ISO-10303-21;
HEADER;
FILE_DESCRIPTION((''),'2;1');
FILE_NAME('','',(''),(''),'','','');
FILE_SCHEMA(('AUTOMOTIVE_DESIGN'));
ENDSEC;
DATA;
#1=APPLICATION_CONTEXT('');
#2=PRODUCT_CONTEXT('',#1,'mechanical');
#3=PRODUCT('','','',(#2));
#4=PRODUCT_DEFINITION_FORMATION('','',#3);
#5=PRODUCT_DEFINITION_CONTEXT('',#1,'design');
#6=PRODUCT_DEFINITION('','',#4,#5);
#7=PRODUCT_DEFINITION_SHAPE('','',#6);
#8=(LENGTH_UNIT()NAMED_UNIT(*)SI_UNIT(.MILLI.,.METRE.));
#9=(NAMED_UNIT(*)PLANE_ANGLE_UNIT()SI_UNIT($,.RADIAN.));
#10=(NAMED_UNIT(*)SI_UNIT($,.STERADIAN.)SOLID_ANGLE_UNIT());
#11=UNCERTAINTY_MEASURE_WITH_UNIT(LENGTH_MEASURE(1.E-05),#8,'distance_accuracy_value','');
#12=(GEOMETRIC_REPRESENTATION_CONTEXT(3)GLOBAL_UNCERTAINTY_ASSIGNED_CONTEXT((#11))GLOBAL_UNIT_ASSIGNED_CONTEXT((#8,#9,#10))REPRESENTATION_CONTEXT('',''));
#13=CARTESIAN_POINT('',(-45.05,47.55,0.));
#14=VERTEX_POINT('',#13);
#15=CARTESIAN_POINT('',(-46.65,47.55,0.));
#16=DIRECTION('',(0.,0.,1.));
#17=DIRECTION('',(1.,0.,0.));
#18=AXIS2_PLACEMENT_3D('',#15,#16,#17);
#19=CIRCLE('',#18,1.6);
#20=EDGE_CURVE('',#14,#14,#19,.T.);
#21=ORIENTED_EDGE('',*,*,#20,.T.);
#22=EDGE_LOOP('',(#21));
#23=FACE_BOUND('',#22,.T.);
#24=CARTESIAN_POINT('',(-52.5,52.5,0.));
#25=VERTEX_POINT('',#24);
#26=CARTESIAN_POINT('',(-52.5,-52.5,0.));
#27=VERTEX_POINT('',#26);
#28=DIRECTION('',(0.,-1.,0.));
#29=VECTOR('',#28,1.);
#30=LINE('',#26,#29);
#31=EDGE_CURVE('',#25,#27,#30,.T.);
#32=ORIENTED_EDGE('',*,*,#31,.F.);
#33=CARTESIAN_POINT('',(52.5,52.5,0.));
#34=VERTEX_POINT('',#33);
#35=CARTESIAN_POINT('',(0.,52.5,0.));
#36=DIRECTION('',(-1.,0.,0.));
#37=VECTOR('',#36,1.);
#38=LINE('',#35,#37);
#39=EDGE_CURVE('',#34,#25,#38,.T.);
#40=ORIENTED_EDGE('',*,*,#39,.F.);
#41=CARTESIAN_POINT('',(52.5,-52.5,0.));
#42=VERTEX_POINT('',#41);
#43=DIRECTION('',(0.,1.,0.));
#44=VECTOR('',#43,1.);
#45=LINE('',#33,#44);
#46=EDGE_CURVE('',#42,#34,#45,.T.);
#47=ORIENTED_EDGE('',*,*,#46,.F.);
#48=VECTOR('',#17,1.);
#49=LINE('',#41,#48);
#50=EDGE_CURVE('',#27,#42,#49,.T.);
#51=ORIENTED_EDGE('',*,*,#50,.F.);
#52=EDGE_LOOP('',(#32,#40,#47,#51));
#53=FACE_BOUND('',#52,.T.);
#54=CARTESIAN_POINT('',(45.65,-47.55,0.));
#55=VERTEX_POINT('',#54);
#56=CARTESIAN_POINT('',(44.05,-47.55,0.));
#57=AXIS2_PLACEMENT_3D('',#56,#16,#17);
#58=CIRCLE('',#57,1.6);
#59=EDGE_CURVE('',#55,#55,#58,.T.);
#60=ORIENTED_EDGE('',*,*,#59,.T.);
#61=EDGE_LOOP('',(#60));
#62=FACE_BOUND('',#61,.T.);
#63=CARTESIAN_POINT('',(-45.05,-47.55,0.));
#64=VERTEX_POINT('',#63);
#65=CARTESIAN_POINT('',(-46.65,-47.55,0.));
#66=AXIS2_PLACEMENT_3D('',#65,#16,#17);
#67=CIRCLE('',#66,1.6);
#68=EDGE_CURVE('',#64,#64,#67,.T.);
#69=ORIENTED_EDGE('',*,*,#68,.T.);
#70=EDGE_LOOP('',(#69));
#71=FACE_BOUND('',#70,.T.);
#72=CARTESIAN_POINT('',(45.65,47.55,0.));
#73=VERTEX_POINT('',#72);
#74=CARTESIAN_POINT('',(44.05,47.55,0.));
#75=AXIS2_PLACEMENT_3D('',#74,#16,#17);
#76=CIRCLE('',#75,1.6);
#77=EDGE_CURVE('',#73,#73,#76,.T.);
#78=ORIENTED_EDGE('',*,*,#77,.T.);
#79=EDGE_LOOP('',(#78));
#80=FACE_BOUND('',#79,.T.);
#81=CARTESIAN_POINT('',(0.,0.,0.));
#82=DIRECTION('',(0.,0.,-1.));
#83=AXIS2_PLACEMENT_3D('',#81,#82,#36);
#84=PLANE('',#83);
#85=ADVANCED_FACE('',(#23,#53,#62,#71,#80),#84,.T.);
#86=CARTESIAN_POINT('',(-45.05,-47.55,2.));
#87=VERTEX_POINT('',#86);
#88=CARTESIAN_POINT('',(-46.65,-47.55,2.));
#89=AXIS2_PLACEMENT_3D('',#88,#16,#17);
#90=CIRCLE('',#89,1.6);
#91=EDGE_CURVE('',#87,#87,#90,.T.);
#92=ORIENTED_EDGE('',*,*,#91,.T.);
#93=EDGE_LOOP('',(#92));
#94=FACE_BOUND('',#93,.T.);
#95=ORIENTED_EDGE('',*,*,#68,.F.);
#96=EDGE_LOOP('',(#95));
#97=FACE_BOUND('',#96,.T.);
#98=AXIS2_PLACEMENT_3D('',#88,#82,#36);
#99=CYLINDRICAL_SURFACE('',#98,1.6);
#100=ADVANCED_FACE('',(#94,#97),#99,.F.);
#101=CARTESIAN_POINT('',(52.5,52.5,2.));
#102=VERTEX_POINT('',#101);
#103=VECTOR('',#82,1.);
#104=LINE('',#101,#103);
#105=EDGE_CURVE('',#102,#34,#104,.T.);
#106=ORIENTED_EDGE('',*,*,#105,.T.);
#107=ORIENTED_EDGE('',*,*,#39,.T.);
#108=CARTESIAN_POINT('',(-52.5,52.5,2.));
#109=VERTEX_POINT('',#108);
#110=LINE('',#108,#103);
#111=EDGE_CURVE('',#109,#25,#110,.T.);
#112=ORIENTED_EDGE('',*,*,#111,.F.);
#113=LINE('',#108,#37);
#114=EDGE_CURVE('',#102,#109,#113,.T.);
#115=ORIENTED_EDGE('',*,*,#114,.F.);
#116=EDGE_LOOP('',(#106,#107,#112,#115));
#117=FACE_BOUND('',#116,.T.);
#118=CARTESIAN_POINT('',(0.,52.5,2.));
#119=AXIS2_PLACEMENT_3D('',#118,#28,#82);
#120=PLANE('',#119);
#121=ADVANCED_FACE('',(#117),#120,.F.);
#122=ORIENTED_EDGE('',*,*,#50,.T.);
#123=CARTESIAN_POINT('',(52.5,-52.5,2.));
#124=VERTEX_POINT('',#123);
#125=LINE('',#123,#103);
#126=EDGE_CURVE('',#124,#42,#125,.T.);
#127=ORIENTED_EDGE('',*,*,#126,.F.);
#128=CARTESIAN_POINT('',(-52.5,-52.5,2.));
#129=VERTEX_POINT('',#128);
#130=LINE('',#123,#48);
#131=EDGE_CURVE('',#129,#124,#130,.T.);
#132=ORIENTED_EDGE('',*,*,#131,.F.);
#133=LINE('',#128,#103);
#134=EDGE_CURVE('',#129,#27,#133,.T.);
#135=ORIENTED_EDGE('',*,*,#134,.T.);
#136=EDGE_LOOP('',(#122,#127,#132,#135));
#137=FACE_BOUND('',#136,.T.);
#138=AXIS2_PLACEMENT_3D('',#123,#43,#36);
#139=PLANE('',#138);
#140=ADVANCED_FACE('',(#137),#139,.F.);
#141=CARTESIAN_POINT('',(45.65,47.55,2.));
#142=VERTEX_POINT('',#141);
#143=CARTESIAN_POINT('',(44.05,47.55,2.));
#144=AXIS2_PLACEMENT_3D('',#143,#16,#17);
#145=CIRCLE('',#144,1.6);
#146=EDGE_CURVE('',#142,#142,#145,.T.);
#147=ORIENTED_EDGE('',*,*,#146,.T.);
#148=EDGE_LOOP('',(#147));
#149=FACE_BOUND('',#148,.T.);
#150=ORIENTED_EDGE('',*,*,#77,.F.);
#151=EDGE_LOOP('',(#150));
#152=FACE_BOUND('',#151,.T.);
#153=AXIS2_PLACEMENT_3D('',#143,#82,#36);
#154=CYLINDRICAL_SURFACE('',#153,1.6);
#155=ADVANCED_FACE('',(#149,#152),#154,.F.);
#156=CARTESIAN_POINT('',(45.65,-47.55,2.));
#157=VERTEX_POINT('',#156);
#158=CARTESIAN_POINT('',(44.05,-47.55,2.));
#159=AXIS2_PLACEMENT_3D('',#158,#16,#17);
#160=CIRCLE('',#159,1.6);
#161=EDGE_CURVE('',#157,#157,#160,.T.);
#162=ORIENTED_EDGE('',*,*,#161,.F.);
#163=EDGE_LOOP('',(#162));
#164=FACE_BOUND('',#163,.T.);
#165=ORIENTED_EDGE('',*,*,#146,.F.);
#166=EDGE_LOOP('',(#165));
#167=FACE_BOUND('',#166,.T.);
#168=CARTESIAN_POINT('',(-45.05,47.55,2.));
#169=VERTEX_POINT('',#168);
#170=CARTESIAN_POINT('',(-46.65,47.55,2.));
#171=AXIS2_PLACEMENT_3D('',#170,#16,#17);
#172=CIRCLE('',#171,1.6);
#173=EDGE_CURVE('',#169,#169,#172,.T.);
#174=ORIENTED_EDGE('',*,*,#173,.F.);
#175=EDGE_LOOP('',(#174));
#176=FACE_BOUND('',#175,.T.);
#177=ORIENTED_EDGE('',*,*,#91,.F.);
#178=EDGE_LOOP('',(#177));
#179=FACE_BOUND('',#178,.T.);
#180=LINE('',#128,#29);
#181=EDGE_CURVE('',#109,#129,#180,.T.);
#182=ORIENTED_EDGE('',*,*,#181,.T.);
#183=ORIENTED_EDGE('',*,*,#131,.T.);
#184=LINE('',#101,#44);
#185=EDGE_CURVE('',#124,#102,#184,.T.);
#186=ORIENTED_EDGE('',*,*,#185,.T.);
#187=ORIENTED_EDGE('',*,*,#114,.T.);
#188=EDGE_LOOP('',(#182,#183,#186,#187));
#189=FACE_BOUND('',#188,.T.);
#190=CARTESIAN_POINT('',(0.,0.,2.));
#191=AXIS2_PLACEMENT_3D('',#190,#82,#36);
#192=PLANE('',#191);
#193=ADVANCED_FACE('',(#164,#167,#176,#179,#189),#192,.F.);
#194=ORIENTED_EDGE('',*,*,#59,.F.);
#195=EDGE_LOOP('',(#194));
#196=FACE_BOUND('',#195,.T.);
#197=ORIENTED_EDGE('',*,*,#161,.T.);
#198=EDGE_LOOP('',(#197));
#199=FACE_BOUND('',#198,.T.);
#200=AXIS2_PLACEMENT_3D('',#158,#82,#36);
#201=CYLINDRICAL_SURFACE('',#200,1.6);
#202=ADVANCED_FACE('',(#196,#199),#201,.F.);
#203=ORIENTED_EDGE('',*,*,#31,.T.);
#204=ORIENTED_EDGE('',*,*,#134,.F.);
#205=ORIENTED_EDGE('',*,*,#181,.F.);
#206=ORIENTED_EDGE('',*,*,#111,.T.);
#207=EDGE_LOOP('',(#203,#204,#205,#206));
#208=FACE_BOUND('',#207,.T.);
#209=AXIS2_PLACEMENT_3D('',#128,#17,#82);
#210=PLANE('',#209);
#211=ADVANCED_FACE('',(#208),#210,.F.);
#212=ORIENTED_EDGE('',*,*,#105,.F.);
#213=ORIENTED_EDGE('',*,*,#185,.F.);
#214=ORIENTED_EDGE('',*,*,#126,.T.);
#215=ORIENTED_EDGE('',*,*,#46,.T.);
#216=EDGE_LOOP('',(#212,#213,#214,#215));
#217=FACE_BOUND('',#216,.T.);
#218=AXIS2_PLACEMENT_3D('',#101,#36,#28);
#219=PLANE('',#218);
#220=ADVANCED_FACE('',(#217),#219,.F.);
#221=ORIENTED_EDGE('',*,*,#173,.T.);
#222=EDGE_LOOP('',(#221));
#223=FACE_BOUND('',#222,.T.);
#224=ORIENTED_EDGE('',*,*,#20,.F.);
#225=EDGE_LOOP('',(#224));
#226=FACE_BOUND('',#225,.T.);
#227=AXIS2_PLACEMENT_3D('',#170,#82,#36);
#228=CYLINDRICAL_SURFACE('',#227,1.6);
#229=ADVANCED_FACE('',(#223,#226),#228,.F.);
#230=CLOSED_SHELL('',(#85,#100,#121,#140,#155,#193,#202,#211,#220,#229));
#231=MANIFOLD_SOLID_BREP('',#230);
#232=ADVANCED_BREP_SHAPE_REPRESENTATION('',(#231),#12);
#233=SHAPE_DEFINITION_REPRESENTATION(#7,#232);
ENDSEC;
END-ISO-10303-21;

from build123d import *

# Parameters (mm, degrees)
SKETCH_1_R      = 1.6
EXTRUDE_1_DEPTH = 2


with BuildPart() as part:
    # 草图1 → 凸台-拉伸1 (new body)
    with BuildSketch(Plane.XY):
        Polygon((0, 52.5), (52.5, 52.5), (52.5, -52.5), (-52.5, -52.5), (-52.5, 52.5), align=None)
        with Locations((-46.65, 47.55)):
            Circle(SKETCH_1_R, mode=Mode.SUBTRACT)
        with Locations((44.05, 47.55)):
            Circle(SKETCH_1_R, mode=Mode.SUBTRACT)
        with Locations((-46.65, -47.55)):
            Circle(SKETCH_1_R, mode=Mode.SUBTRACT)
        with Locations((44.05, -47.55)):
            Circle(SKETCH_1_R, mode=Mode.SUBTRACT)
    extrude(amount=EXTRUDE_1_DEPTH)


solid = part.part
